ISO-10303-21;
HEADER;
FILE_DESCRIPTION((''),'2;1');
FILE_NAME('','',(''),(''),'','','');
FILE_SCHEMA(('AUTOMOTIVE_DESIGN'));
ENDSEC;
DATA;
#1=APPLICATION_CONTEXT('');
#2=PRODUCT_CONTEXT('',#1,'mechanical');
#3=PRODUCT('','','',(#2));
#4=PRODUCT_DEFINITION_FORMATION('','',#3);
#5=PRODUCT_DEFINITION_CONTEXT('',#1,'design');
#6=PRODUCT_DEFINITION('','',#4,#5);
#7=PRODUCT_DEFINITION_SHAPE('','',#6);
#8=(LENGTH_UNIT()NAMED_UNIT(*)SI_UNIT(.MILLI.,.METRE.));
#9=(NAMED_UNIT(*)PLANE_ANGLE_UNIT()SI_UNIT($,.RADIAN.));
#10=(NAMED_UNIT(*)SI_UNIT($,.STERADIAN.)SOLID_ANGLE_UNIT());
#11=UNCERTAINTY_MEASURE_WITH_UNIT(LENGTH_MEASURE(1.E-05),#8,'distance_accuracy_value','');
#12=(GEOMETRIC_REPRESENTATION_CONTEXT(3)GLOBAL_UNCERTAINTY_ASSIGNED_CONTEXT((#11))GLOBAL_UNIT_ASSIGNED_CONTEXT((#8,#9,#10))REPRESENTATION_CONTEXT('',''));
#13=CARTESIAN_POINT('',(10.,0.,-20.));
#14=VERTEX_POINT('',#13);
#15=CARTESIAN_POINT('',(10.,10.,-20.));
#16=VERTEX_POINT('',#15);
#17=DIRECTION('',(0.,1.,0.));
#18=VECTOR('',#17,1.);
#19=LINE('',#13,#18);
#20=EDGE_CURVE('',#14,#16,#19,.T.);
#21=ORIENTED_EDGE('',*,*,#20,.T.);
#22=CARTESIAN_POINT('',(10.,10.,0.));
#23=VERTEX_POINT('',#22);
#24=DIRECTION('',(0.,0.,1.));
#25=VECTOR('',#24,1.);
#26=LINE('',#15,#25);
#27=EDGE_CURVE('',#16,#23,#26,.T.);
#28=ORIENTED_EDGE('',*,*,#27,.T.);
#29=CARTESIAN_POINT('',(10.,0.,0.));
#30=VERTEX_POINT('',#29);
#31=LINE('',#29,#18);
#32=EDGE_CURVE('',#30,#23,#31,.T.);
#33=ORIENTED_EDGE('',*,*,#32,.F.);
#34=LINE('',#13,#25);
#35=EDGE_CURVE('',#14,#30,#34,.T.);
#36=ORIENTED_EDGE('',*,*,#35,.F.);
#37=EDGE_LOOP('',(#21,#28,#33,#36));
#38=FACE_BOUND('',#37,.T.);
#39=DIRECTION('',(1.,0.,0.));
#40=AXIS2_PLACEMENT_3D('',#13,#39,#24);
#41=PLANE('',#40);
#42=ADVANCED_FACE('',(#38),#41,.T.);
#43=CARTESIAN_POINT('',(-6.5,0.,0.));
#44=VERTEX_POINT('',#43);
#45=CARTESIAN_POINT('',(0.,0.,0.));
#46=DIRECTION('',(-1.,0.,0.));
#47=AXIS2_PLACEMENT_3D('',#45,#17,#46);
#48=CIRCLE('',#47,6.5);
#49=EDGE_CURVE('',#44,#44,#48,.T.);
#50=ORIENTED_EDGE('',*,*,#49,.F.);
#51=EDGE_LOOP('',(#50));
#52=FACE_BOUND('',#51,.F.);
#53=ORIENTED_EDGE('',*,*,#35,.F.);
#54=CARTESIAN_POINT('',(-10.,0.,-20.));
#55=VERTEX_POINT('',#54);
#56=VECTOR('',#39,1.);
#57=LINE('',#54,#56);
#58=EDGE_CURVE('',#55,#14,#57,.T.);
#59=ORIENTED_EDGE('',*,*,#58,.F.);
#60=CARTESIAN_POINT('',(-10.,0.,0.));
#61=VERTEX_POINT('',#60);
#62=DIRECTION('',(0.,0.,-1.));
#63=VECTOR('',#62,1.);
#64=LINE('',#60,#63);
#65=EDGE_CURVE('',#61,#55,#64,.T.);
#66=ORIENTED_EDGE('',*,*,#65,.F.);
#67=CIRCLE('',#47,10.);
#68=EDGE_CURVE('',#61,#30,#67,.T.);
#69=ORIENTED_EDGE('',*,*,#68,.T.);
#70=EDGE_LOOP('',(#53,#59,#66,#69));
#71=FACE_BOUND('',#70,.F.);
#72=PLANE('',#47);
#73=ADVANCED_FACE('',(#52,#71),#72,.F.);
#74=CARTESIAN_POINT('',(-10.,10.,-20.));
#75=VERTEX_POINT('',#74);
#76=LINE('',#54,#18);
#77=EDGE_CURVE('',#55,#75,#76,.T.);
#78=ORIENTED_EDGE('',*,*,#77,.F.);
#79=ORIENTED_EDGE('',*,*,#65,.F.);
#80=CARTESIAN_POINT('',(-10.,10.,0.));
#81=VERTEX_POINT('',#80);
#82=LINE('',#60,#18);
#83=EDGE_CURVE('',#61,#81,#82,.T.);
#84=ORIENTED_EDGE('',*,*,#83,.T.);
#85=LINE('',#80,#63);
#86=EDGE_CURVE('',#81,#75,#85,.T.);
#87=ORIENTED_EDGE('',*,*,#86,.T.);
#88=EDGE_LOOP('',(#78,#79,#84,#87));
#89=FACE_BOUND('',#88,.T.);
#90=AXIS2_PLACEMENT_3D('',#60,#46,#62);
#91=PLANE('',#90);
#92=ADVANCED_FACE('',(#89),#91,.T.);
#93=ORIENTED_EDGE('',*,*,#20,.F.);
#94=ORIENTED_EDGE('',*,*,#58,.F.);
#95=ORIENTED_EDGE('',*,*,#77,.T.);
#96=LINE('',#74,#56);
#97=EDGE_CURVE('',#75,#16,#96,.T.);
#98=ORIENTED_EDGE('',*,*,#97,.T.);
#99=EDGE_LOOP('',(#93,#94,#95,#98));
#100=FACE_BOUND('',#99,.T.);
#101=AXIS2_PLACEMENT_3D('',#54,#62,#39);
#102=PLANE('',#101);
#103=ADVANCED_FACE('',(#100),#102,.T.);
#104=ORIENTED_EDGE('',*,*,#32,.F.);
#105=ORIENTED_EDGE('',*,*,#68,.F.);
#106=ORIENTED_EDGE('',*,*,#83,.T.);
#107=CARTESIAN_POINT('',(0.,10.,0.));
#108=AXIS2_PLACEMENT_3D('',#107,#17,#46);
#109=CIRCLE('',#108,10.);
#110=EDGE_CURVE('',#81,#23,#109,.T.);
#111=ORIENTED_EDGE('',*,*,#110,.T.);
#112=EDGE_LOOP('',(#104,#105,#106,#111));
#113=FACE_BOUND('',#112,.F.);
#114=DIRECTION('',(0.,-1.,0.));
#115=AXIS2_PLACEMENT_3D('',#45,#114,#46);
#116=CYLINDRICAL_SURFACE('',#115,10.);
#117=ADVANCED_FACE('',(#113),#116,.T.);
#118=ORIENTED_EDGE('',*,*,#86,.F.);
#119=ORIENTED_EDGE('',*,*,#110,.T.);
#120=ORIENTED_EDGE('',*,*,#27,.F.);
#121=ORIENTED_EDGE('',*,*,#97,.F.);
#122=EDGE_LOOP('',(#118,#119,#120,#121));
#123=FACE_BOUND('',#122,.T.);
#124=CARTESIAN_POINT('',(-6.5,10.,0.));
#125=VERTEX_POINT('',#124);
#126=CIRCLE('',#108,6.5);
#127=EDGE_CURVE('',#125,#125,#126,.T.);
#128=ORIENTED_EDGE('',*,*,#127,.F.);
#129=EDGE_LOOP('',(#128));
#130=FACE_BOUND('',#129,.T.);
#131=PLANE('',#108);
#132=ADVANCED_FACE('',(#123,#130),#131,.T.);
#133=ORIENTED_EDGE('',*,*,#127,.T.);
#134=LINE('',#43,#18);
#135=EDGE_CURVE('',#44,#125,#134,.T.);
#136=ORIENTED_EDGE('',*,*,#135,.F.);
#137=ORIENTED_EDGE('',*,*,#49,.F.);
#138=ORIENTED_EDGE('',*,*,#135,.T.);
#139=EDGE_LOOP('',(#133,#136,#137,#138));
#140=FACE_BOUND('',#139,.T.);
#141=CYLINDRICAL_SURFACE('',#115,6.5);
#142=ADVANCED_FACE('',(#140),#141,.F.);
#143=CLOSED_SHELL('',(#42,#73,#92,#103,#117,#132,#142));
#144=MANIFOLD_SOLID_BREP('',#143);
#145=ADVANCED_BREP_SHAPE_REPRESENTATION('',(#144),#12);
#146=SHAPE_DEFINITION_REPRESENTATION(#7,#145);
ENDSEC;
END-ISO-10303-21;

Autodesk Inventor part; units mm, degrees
ref_plane "YZ Plane" through (0, 0, 0) normal (1, 0, 0) x (0, 1, 0)
ref_plane "XZ Plane" through (0, 0, 0) normal (0, 1, 0) x (-1, 0, 0)
ref_plane "XY Plane" through (0, 0, 0) normal (0, 0, 1) x (1, 0, 0)
sketch "Schizzo2" plane through (0, 0, 0) normal (0, 1, 0) x (-1, 0, 0)
  circle A0 centre (0, 0) radius 6.5
  circle A1 centre (0, 0) radius 10
  line L0 (10, 0) -> (10, -20)
  line L1 (10, -20) -> (-10, -20)
  line L2 (-10, -20) -> (-10, 0)
  line L3 (0, 0) -> (0, -33.9201) construction
  line L4 (0, 0) -> (14.6717, 0) construction
  dimension "d0" = 13
  dimension "d1" = 20
  dimension "d2" = 20
extrude "Estrusione1" add sketch "Schizzo2" along normal blind 10
properties part number "05-17-2023 cardine superiore analisi fem"
